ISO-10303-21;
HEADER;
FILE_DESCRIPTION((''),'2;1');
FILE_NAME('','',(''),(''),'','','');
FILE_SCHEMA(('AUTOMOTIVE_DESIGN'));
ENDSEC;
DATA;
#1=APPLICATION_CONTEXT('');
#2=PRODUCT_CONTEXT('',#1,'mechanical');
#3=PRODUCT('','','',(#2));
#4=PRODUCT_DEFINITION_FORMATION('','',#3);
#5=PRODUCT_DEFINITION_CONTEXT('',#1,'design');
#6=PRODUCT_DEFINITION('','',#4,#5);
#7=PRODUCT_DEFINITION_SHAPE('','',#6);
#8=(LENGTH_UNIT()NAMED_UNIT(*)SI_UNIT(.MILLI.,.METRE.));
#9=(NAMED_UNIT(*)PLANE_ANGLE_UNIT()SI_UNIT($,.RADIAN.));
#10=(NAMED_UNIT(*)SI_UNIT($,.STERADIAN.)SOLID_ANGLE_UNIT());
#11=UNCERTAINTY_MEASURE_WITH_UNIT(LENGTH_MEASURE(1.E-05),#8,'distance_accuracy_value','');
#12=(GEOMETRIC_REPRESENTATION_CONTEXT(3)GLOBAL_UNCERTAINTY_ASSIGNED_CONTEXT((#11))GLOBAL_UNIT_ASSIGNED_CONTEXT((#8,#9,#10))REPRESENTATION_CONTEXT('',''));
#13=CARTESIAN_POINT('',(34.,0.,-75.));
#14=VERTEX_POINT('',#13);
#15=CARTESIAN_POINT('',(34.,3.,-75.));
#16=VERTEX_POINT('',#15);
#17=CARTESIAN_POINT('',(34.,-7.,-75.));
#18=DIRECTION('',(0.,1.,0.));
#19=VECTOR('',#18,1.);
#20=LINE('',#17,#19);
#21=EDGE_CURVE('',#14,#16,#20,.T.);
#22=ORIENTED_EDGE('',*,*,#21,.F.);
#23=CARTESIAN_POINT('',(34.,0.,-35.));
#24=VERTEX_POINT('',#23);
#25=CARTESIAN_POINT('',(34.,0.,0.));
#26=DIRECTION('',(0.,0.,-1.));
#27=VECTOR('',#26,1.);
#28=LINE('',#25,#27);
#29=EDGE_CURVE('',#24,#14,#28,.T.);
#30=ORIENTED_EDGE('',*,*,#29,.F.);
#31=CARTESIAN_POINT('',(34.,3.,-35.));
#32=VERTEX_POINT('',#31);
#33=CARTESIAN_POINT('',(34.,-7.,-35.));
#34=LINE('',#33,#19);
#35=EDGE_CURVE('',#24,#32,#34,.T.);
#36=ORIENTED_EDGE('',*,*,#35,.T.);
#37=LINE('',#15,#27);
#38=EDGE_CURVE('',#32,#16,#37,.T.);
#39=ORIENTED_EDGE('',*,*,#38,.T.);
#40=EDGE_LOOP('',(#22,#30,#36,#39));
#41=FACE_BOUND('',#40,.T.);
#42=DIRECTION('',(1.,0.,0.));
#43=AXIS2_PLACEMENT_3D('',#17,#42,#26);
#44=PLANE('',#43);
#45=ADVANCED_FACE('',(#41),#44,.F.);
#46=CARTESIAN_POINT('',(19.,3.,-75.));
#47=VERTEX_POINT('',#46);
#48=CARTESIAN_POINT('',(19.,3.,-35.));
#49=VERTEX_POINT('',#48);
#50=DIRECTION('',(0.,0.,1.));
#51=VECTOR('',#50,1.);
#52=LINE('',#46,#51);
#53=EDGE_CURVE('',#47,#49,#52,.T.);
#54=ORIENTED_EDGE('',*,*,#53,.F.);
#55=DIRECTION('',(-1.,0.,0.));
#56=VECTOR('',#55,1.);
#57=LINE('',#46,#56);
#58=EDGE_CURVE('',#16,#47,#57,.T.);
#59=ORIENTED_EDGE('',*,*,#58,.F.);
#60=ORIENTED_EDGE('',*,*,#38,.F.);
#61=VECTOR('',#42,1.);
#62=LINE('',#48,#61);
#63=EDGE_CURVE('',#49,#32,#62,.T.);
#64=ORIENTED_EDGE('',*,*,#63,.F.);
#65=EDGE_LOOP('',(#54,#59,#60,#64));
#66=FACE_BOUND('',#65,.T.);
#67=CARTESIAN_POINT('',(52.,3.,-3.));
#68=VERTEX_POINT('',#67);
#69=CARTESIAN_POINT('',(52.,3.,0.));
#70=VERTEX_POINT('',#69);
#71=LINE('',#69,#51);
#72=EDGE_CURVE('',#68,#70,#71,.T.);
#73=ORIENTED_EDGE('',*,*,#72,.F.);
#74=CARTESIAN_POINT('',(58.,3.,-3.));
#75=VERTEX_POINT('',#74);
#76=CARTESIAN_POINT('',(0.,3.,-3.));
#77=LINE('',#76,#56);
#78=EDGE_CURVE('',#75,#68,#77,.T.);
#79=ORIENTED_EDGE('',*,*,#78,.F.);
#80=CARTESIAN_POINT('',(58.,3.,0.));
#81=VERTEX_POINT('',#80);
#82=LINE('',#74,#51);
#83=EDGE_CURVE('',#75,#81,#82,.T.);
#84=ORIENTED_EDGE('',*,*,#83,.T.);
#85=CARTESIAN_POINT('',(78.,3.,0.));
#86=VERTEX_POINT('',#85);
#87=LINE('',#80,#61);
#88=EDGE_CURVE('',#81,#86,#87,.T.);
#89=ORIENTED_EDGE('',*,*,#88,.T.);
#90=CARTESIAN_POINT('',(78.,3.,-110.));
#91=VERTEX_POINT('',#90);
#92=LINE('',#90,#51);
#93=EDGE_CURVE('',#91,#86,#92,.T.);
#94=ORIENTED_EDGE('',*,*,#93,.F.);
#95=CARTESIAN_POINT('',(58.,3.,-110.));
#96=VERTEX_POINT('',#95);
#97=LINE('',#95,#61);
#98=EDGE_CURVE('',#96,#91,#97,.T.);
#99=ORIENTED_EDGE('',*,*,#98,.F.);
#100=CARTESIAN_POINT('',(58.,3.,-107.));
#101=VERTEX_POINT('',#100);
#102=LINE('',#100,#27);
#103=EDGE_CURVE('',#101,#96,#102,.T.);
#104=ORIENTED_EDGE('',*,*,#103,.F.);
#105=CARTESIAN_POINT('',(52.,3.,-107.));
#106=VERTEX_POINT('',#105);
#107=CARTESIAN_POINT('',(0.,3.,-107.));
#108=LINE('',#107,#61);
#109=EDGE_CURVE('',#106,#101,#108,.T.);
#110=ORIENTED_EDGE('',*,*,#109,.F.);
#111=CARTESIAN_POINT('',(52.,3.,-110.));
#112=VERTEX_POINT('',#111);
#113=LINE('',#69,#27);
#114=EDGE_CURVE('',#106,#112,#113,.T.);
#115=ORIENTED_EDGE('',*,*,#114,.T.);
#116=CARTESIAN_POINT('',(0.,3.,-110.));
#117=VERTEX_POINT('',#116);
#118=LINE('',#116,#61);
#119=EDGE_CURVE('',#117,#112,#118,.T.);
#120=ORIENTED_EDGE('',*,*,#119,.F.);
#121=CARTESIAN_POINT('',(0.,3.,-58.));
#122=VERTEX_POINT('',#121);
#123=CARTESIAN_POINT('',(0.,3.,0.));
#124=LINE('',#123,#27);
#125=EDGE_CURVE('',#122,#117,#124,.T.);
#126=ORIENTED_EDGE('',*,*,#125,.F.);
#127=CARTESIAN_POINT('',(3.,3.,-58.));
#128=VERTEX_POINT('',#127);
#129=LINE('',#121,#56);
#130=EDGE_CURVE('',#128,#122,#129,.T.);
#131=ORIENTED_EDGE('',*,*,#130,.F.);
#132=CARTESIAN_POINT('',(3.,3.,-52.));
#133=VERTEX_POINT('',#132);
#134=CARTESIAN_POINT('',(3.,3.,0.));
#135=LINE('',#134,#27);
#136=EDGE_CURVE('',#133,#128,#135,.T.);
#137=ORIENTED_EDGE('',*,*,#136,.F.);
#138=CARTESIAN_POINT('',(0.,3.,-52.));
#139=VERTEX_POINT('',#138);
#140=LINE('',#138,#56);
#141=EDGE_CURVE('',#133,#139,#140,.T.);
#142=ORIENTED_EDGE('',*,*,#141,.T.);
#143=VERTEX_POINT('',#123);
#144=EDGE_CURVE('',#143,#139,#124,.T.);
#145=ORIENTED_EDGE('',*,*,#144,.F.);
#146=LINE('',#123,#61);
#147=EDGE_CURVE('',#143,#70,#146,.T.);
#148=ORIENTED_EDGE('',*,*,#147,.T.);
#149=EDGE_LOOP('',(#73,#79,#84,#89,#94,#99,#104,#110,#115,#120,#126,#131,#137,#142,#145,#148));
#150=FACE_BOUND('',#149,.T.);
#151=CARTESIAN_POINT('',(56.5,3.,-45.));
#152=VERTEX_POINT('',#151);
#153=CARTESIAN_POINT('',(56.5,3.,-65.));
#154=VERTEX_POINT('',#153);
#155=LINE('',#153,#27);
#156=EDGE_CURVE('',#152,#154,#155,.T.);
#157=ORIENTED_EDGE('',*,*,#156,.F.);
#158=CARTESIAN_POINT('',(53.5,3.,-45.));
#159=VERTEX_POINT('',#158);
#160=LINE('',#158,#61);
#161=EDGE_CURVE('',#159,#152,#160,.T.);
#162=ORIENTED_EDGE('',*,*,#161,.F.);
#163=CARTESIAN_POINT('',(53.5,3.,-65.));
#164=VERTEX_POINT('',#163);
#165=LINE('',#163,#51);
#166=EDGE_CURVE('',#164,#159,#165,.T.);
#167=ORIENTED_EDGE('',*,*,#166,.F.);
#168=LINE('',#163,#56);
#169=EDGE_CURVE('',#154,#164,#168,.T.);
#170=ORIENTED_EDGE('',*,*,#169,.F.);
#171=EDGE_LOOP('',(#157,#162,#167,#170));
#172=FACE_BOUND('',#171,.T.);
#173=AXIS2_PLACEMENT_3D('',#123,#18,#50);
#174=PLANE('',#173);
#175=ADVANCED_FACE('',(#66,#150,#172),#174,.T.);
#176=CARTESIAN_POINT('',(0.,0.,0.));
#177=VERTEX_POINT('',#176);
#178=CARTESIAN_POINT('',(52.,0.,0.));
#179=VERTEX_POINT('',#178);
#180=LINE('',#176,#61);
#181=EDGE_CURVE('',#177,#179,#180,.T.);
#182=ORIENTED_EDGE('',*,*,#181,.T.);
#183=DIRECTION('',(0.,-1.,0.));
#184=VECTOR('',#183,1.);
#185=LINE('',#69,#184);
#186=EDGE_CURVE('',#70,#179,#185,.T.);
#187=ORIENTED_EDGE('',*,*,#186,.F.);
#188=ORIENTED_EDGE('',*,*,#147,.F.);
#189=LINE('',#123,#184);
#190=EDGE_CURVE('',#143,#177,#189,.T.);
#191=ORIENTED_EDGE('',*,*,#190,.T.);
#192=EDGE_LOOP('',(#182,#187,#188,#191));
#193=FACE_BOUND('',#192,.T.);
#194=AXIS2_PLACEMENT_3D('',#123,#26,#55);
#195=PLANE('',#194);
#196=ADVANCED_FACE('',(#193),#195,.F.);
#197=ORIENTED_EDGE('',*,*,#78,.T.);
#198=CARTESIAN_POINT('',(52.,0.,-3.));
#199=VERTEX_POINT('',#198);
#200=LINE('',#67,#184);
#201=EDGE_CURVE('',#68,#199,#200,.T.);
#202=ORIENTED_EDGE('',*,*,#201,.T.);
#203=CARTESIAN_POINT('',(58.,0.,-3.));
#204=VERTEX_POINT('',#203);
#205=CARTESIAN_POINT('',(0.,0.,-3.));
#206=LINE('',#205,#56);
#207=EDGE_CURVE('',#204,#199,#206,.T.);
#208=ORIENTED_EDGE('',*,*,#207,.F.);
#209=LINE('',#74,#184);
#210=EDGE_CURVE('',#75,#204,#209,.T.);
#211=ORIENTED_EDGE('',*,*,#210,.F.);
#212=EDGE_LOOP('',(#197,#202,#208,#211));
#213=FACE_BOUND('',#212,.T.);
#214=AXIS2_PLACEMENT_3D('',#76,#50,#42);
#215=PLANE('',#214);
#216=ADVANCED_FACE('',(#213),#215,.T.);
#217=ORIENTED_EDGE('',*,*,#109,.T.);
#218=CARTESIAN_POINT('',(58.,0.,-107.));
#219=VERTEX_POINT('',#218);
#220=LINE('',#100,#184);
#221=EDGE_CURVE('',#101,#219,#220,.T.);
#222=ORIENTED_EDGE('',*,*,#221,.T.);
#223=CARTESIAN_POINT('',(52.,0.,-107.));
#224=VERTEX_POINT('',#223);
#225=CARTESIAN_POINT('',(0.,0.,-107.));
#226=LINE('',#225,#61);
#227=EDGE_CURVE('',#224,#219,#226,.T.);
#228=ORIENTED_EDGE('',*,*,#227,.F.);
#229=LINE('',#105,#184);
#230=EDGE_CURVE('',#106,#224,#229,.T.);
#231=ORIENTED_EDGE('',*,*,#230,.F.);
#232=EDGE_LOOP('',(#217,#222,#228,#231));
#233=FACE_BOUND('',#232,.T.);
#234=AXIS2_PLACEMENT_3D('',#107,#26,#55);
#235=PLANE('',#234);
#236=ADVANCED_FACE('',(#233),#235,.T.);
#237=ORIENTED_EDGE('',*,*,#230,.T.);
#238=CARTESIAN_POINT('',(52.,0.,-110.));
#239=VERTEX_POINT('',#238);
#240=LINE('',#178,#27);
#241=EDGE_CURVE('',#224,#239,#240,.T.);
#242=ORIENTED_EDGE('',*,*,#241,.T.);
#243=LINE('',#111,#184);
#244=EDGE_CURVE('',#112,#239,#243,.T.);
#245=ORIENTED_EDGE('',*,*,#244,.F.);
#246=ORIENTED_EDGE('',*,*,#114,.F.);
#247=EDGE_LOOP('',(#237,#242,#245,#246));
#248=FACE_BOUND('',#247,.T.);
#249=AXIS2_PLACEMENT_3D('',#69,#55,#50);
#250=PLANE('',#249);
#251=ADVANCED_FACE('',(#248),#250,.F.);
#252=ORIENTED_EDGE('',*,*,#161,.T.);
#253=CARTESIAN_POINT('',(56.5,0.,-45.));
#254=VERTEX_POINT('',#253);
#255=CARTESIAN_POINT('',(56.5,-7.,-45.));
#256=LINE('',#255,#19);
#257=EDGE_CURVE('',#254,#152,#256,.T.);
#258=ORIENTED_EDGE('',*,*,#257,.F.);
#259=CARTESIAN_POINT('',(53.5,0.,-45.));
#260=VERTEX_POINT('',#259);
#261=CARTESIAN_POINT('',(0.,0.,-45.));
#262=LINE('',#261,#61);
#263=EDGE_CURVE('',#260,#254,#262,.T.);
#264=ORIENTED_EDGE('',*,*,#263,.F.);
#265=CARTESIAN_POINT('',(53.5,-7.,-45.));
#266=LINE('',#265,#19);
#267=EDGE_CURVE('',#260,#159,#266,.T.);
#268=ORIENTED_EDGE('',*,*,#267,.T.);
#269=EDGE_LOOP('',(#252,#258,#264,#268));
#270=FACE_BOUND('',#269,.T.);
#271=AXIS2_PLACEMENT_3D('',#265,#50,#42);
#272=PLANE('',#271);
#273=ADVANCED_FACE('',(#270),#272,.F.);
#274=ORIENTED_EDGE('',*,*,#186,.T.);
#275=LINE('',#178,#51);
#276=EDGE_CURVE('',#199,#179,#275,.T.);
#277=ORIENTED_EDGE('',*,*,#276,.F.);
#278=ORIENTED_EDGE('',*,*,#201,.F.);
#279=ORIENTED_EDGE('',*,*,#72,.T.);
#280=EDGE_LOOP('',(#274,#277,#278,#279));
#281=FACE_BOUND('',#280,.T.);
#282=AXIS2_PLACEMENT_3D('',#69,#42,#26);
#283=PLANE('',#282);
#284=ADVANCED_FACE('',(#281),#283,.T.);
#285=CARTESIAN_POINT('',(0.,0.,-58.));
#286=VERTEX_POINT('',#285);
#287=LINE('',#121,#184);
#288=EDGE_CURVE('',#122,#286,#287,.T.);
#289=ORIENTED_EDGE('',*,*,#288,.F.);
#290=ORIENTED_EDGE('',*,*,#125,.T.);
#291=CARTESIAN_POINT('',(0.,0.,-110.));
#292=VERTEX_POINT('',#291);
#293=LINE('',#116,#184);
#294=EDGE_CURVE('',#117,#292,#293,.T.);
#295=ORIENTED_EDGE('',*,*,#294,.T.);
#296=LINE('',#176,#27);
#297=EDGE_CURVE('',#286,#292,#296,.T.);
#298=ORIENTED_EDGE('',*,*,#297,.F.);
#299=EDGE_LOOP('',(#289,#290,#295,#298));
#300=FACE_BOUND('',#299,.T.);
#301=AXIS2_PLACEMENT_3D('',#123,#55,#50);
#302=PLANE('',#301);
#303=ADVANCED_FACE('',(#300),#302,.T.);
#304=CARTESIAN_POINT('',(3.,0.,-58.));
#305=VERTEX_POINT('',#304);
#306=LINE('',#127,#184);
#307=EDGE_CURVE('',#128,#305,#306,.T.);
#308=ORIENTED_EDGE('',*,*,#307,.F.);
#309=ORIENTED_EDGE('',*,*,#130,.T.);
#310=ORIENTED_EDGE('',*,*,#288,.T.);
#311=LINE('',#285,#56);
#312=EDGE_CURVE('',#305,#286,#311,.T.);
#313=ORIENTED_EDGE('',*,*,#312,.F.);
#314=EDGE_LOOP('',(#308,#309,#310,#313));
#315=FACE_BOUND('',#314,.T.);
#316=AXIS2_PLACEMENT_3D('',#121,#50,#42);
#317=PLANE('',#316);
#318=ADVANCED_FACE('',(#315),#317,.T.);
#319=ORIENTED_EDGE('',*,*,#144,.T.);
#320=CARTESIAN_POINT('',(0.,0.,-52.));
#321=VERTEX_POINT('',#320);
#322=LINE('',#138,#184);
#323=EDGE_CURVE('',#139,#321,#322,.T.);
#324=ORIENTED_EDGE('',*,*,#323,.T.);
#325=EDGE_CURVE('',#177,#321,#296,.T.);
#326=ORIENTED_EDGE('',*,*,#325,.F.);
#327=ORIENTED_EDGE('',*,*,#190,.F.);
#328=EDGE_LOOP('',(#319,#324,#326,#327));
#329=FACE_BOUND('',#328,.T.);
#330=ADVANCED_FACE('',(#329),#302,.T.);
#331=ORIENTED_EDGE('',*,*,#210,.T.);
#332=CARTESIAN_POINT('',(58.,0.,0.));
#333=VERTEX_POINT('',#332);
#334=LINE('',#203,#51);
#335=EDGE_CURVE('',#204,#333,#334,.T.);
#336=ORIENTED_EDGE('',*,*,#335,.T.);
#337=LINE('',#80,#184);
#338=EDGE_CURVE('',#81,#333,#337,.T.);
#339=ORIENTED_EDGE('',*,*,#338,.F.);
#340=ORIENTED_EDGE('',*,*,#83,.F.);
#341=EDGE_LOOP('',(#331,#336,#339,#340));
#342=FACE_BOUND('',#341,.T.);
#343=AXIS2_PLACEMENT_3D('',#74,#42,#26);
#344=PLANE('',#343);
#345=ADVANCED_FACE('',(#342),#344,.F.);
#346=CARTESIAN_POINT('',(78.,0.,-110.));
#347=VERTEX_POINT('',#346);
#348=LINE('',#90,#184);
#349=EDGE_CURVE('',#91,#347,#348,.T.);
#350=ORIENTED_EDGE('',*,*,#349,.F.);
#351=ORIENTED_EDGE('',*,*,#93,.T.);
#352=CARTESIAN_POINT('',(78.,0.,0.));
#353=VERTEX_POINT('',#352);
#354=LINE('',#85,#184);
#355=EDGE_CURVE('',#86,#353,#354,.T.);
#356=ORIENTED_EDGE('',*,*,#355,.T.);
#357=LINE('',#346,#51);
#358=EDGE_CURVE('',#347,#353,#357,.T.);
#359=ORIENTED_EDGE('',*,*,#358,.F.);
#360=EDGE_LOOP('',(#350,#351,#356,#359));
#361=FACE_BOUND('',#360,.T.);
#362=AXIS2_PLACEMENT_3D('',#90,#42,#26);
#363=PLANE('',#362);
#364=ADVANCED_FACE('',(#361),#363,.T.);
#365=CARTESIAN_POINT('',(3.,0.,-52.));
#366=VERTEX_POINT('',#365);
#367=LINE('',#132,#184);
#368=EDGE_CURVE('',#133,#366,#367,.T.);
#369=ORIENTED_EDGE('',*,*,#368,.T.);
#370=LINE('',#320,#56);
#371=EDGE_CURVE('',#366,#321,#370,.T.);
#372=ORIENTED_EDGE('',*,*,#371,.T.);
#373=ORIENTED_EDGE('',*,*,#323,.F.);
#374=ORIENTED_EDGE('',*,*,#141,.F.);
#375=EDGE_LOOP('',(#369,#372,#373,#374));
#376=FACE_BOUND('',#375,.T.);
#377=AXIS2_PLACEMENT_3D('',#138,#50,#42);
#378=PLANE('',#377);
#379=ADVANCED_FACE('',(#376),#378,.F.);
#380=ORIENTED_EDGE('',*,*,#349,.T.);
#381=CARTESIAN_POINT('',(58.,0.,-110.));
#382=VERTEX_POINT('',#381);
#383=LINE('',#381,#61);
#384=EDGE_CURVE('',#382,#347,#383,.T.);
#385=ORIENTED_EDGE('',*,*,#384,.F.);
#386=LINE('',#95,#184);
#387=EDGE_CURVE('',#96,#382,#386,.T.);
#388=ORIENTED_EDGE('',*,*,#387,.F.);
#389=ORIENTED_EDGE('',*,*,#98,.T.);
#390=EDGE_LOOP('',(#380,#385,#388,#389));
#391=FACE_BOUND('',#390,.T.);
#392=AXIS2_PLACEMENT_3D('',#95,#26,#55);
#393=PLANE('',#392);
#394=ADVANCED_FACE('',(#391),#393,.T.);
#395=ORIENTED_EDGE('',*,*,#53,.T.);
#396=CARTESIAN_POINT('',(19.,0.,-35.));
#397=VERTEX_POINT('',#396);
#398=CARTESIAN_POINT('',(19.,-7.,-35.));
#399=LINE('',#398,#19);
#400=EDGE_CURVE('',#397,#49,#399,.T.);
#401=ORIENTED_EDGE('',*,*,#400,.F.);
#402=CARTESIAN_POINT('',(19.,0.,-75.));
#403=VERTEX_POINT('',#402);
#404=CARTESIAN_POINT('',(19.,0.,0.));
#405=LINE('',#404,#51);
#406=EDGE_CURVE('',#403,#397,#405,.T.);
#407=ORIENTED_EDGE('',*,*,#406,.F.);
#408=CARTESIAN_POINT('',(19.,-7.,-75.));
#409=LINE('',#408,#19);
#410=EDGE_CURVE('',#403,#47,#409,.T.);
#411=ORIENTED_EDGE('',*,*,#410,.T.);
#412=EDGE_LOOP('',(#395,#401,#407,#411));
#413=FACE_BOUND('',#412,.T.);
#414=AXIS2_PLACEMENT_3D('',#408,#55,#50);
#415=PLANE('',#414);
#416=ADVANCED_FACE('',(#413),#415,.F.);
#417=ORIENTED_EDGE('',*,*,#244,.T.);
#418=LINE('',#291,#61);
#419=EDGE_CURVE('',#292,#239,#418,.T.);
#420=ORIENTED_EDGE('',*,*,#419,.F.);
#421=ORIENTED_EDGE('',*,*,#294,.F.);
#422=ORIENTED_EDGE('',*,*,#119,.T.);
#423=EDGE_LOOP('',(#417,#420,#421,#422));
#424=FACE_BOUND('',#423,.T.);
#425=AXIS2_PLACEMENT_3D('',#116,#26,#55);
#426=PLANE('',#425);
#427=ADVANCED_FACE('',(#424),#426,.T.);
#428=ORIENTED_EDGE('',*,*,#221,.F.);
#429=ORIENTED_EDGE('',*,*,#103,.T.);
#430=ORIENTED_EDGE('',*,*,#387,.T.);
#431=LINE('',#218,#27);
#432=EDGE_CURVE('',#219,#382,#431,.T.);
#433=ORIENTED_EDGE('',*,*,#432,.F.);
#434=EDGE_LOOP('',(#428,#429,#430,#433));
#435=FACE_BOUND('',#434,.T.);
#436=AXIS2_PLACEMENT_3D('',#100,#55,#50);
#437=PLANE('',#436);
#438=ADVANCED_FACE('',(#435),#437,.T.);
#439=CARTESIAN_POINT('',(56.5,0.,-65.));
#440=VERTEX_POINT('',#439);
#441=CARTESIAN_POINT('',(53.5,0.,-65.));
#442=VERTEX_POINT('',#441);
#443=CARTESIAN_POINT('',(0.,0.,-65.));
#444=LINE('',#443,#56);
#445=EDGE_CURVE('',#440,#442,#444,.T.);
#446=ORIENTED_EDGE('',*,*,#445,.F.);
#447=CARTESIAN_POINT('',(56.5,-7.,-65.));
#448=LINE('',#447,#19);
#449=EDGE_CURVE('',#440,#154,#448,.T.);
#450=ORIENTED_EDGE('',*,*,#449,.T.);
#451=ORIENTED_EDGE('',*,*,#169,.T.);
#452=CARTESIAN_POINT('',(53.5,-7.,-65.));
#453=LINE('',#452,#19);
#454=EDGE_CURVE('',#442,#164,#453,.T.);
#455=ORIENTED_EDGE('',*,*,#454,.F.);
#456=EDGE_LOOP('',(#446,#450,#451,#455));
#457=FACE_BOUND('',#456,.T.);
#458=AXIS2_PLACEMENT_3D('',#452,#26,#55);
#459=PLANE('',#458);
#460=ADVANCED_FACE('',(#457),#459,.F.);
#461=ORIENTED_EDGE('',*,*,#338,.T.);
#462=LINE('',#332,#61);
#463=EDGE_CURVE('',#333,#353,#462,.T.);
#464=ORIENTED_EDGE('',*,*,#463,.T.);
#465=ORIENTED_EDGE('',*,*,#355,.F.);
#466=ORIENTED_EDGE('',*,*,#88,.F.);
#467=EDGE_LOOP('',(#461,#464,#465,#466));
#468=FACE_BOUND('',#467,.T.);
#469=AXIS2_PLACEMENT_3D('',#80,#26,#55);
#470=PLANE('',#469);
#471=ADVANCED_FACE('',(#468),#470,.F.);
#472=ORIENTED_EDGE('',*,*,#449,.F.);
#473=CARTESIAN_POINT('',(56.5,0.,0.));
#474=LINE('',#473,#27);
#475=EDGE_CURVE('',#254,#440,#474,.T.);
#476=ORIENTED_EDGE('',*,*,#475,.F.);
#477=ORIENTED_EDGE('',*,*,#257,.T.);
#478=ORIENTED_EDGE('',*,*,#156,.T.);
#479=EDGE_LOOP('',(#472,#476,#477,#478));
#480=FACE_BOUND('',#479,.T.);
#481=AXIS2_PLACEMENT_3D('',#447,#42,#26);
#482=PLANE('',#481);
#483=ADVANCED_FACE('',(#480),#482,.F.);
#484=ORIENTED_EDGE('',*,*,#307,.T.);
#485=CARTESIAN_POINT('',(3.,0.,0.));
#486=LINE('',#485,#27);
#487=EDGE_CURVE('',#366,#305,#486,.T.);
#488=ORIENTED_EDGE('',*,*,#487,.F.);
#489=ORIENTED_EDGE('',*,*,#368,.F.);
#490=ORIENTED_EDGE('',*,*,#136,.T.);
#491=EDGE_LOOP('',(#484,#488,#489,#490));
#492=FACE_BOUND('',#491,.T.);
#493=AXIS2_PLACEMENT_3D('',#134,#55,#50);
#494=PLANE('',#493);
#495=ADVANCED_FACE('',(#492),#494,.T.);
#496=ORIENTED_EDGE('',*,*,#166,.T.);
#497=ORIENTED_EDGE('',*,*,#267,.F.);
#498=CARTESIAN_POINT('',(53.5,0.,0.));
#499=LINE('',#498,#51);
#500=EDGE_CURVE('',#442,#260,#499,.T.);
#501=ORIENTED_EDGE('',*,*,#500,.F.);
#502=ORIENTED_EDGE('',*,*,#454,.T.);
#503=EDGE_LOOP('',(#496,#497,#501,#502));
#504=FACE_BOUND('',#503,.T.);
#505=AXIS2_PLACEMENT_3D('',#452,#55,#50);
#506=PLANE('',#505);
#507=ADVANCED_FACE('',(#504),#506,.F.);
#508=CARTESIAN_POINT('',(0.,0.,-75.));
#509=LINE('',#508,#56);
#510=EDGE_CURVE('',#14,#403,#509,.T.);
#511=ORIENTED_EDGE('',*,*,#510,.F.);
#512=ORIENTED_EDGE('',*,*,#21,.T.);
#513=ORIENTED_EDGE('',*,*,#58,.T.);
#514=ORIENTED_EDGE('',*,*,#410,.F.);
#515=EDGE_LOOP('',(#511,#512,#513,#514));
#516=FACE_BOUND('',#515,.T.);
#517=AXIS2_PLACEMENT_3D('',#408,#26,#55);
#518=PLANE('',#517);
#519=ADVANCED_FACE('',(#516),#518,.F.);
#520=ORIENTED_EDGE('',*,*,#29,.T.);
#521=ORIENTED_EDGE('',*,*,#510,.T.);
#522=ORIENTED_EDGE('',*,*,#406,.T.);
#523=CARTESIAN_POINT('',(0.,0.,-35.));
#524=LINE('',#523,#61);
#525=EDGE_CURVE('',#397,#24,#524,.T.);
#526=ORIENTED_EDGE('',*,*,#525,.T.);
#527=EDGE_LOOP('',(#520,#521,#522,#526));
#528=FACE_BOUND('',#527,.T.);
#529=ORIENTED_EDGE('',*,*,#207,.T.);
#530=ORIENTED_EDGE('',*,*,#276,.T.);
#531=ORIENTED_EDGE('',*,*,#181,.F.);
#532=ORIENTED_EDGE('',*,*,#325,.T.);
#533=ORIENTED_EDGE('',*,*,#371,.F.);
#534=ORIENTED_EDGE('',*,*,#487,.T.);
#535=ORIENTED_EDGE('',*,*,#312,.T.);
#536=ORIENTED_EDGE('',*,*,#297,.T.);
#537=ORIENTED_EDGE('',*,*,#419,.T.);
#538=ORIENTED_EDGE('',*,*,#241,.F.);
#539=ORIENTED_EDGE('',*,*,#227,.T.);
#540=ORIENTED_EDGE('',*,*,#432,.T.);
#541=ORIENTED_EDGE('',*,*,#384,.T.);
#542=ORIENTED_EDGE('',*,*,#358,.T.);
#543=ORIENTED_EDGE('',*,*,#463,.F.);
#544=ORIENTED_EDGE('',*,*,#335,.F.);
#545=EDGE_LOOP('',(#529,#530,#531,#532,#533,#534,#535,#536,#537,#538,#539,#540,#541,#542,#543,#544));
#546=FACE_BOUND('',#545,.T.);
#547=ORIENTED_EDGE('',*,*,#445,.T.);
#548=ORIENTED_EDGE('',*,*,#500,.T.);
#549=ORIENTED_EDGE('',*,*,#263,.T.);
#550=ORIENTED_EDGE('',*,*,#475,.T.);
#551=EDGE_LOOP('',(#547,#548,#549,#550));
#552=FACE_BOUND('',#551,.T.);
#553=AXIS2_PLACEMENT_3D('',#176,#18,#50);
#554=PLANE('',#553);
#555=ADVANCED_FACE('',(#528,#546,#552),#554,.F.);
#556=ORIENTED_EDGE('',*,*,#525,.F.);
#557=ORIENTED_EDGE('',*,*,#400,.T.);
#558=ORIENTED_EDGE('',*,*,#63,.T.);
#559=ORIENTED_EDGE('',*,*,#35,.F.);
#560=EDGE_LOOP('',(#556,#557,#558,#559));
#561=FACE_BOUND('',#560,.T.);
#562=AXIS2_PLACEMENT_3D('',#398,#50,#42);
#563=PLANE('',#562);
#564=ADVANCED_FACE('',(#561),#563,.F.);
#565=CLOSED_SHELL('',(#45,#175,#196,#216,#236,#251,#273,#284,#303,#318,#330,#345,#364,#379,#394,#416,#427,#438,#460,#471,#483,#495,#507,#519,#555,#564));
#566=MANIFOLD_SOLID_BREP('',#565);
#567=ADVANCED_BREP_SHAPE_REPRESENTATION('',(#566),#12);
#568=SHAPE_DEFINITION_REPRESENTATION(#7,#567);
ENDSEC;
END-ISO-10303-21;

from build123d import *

# Parameters (mm, degrees)
EXTRUDE_3_DEPTH    = 3
SKETCH1_W          = 15
SKETCH1_H          = 40
SKETCH1_W_2        = 3
SKETCH1_H_2        = 20
CUT_EXTRUDE1_DEPTH = 10


with BuildPart() as part:
    # Эскиз4 → Бобышка-Вытянуть3 (new body)
    with BuildSketch(Plane(origin=(0, 0, 0), x_dir=(1, 0, 0), z_dir=(0, 1, 0))):
        Polygon((78, 0), (78, 110), (58, 110), (58, 107), (55, 107), (52, 107), (52, 110), (0, 110), (0, 58), (3, 58), (3, 55), (3, 52), (0, 52), (0, 0), (52, 0), (52, 3), (55, 3), (58, 3), (58, 0), align=None)
    extrude(amount=EXTRUDE_3_DEPTH)

    # Sketch1 → Cut-Extrude1 (cut)
    with BuildSketch(Plane(origin=(0, 3, 0), x_dir=(1, 0, 0), z_dir=(0, 1, 0))):
        with Locations((26.5, 55)):
            Rectangle(SKETCH1_W, SKETCH1_H)
        with Locations((55, 55)):
            Rectangle(SKETCH1_W_2, SKETCH1_H_2)
    extrude(amount=-CUT_EXTRUDE1_DEPTH, mode=Mode.SUBTRACT)


solid = part.part
